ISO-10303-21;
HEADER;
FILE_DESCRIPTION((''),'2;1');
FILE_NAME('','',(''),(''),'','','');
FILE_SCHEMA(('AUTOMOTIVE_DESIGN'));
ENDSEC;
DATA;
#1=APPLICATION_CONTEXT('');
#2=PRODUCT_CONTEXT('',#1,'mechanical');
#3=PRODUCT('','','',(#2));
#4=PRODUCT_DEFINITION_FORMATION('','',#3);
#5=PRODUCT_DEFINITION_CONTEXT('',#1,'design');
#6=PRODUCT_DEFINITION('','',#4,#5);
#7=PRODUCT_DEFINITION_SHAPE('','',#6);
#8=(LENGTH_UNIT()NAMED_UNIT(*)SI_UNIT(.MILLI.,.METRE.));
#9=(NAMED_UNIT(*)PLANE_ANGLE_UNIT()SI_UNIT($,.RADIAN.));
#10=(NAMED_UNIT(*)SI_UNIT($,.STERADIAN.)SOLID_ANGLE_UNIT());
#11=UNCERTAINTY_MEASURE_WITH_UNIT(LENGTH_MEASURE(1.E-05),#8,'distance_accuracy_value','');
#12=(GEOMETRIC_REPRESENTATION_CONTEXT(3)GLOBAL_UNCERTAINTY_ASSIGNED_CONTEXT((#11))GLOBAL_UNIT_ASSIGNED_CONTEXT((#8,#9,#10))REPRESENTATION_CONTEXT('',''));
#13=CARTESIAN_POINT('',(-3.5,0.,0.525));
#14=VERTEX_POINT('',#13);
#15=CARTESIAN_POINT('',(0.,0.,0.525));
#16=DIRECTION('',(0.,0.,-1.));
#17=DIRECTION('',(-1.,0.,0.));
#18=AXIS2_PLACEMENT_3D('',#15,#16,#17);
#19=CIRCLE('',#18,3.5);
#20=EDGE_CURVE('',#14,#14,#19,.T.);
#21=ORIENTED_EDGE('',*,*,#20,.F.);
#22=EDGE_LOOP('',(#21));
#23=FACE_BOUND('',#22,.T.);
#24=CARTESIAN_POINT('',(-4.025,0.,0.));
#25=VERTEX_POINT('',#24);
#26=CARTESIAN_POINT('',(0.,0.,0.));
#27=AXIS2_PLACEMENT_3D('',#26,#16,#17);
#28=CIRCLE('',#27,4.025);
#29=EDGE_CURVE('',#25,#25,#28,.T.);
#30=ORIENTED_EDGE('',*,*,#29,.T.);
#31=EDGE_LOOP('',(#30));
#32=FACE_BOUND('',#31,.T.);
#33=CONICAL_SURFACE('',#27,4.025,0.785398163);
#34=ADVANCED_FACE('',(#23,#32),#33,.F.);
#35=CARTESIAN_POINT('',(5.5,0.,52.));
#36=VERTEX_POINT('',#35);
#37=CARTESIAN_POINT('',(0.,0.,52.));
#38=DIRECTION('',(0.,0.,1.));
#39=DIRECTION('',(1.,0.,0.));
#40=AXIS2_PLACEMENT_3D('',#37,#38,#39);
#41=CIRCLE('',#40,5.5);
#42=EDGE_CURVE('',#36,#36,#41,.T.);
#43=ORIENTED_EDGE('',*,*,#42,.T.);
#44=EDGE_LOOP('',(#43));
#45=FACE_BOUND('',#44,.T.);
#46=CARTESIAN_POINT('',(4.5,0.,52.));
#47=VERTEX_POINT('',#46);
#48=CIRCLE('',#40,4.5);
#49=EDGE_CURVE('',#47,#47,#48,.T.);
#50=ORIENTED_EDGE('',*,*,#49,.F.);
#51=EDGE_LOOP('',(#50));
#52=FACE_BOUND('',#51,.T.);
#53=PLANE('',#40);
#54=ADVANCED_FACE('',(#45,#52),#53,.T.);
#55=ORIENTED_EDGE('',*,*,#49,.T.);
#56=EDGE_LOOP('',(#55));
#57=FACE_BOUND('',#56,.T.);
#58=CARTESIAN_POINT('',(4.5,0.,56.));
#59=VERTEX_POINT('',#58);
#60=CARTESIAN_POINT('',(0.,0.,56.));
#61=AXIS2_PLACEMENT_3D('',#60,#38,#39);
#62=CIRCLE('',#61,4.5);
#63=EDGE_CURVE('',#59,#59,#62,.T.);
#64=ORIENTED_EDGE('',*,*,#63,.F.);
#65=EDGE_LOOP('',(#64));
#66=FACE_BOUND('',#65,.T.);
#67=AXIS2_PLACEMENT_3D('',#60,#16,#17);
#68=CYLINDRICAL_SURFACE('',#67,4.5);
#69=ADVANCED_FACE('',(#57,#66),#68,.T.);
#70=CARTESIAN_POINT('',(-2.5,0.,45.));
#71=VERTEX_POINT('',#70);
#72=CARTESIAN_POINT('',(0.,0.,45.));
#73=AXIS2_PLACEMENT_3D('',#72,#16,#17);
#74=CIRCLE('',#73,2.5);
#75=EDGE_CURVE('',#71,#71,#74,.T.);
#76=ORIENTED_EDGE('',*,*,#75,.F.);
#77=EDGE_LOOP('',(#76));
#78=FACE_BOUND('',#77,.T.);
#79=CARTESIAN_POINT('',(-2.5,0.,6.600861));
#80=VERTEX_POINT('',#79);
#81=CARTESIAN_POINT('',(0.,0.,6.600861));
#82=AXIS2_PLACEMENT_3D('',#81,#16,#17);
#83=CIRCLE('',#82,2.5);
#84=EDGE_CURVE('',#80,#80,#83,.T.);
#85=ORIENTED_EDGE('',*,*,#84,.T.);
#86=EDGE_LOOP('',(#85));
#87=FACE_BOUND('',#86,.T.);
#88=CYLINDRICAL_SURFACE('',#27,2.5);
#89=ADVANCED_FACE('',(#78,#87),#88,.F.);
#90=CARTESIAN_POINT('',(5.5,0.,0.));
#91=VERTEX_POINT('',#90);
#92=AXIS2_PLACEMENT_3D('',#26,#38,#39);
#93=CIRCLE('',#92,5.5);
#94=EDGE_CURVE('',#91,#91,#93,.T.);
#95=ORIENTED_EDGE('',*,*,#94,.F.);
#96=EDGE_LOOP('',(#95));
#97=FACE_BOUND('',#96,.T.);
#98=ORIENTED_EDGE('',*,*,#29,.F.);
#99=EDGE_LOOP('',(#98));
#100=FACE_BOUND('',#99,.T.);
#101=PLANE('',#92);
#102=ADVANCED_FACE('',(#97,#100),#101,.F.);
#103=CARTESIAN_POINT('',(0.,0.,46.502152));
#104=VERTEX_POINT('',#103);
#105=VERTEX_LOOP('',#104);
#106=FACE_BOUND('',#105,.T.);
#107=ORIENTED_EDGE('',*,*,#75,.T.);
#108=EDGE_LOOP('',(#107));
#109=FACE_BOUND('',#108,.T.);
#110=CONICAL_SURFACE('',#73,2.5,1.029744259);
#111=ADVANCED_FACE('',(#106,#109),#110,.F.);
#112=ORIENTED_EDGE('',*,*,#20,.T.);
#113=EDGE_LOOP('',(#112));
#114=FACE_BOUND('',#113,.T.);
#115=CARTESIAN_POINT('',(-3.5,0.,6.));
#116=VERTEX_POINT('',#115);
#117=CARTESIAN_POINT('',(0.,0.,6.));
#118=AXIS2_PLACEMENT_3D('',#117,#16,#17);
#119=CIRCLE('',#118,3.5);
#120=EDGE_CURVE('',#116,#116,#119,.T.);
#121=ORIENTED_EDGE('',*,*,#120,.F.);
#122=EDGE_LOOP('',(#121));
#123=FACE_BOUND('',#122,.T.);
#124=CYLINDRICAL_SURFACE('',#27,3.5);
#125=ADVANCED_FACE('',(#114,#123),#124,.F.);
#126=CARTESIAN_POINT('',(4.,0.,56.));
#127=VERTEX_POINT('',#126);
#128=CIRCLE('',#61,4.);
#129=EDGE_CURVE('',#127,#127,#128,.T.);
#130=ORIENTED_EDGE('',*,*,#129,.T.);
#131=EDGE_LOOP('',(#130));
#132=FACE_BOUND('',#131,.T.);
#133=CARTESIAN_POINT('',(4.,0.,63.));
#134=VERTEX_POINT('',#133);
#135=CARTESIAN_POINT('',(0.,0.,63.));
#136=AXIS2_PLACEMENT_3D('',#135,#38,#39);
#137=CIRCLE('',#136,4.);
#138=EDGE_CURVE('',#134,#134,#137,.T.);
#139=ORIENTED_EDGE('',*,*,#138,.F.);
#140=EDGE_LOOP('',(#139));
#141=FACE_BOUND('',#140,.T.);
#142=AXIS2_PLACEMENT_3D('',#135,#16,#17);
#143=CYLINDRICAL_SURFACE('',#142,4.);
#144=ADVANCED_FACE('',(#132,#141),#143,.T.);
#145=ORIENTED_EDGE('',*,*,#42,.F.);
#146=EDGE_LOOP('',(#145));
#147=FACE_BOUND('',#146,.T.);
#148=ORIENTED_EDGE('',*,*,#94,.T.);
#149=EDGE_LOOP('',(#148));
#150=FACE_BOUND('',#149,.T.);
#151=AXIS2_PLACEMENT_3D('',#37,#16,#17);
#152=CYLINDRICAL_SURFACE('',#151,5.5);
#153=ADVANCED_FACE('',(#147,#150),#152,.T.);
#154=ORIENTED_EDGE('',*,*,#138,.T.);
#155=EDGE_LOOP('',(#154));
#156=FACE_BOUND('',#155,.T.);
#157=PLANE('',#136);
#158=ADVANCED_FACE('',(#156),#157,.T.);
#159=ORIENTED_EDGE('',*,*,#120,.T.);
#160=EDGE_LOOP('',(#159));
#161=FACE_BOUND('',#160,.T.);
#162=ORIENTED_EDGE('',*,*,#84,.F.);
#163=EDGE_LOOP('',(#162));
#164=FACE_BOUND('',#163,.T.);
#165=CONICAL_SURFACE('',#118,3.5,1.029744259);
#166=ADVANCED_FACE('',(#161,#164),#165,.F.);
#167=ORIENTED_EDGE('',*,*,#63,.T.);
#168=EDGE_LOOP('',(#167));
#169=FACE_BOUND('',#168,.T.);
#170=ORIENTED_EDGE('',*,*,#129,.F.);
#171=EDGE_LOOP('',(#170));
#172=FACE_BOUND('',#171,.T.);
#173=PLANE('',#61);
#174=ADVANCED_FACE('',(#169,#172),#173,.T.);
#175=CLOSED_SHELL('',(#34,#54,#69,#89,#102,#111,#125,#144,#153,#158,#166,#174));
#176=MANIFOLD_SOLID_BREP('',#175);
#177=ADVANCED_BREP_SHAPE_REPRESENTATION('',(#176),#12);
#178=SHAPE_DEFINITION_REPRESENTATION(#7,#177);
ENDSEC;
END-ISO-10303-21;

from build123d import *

# Parameters (mm, degrees)
SKETCH1_R                       = 5.5
BOSS_EXTRUDE1_DEPTH             = 52
SKETCH2_R                       = 4.5
BOSS_EXTRUDE2_DEPTH             = 4
SKETCH3_R                       = 4
BOSS_EXTRUDE3_DEPTH             = 7
F_5_0_5_DIAMETER_HOLE1_D        = 5
F_5_0_5_DIAMETER_HOLE1_DEPTH    = 45
F_5_0_5_DIAMETER_HOLE1_TIP      = 1.502151548
M8X1_0_TAPPED_HOLE1_D           = 7
M8X1_0_TAPPED_HOLE1_DEPTH       = 6
M8X1_0_TAPPED_HOLE1_CSINK_D     = 8.05
M8X1_0_TAPPED_HOLE1_CSINK_ANGLE = 90
M8X1_0_TAPPED_HOLE1_TIP         = 2.103012167


with BuildPart() as part:
    # Sketch1 → Boss-Extrude1 (new body)
    with BuildSketch(Plane.XY):
        Circle(SKETCH1_R)
    extrude(amount=BOSS_EXTRUDE1_DEPTH)

    # Sketch2 → Boss-Extrude2 (add)
    with BuildSketch(Plane.XY.offset(52)):
        Circle(SKETCH2_R)
    extrude(amount=BOSS_EXTRUDE2_DEPTH)

    # Sketch3 → Boss-Extrude3 (add)
    with BuildSketch(Plane.XY.offset(56)):
        Circle(SKETCH3_R)
    extrude(amount=BOSS_EXTRUDE3_DEPTH)

    # Ø5.0 (5) Diameter Hole1
    with Locations(Plane(origin=(0, 0, 0), x_dir=(-1, 0, 0), z_dir=(0, 0, -1))):
        with Locations((0, 0)):
            Hole(F_5_0_5_DIAMETER_HOLE1_D / 2, depth=F_5_0_5_DIAMETER_HOLE1_DEPTH)
            with Locations((0, 0, -(F_5_0_5_DIAMETER_HOLE1_DEPTH + F_5_0_5_DIAMETER_HOLE1_TIP / 2))):  # 118° drill point
                Cone(0, F_5_0_5_DIAMETER_HOLE1_D / 2, F_5_0_5_DIAMETER_HOLE1_TIP, mode=Mode.SUBTRACT)

    # M8x1.0 Tapped Hole1
    with Locations(Plane(origin=(0, 0, 0), x_dir=(-1, 0, 0), z_dir=(0, 0, -1))):
        with Locations((0, 0)):
            CounterSinkHole(M8X1_0_TAPPED_HOLE1_D / 2, M8X1_0_TAPPED_HOLE1_CSINK_D / 2, depth=M8X1_0_TAPPED_HOLE1_DEPTH, counter_sink_angle=M8X1_0_TAPPED_HOLE1_CSINK_ANGLE)
            with Locations((0, 0, -(M8X1_0_TAPPED_HOLE1_DEPTH + M8X1_0_TAPPED_HOLE1_TIP / 2))):  # 118° drill point
                Cone(0, M8X1_0_TAPPED_HOLE1_D / 2, M8X1_0_TAPPED_HOLE1_TIP, mode=Mode.SUBTRACT)


solid = part.part
